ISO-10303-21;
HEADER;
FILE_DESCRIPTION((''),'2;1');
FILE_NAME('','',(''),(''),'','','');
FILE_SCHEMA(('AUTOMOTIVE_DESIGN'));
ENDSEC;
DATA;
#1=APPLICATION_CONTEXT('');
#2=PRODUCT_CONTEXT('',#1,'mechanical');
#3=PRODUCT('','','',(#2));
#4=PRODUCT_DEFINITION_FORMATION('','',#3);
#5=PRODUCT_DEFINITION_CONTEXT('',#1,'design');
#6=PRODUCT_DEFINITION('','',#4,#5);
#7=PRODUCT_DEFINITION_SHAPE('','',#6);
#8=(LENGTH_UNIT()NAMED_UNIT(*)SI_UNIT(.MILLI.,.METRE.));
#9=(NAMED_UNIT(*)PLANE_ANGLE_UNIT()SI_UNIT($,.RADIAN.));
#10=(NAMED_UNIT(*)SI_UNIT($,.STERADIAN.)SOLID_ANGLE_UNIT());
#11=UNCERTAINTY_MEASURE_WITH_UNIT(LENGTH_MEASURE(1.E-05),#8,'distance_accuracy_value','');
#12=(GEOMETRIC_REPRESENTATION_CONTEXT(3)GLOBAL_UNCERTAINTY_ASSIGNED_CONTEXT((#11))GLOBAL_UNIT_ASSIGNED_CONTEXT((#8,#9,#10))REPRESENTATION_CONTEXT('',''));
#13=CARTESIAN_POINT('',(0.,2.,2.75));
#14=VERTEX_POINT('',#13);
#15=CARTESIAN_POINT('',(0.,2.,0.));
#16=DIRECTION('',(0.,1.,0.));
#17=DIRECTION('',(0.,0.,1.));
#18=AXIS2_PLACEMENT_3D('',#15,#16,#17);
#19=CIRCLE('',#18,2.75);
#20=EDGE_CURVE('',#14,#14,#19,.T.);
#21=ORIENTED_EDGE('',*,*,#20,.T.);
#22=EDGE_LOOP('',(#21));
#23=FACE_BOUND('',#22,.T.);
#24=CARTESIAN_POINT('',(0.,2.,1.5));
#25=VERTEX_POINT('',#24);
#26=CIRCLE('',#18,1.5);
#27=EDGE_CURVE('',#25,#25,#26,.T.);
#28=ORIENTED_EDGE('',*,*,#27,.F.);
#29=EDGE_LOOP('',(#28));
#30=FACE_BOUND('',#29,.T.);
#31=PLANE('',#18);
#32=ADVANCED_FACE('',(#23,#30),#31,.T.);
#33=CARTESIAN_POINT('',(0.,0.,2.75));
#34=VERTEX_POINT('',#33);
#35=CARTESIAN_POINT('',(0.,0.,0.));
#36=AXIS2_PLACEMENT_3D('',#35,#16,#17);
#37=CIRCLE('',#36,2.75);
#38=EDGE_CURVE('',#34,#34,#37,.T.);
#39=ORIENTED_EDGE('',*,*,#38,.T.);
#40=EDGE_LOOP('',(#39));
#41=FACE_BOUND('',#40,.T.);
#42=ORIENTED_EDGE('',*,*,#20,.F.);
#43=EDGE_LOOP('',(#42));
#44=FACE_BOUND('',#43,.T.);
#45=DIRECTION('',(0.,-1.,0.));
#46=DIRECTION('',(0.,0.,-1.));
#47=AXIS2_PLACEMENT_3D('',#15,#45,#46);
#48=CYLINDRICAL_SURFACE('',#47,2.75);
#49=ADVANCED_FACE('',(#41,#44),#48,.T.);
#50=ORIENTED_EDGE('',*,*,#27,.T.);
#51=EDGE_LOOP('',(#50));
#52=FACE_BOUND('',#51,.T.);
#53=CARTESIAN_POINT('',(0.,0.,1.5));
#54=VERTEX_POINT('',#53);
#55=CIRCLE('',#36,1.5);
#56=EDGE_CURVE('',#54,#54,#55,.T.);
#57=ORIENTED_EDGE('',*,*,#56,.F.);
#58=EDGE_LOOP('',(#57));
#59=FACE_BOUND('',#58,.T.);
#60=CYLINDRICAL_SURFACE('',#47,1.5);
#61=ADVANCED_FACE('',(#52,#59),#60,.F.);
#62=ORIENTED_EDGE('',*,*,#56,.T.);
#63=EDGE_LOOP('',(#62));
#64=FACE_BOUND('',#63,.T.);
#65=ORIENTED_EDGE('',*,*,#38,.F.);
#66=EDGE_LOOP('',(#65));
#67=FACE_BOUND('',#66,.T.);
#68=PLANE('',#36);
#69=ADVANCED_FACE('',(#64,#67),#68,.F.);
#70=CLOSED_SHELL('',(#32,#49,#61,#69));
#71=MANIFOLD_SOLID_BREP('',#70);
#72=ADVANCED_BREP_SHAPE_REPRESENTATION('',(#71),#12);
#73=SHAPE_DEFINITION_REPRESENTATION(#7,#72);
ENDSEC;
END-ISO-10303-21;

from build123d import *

# Parameters (mm, degrees)
SKETCH1_R           = 2.75
SKETCH1_R_2         = 1.5
BOSS_EXTRUDE1_DEPTH = 2


with BuildPart() as part:
    # Sketch1 → Boss-Extrude1 (new body)
    with BuildSketch(Plane(origin=(0, 0, 0), x_dir=(1, 0, 0), z_dir=(0, 1, 0))):
        with Locations(Location((0, 0, 0), (0, 0, 270))):
            Circle(SKETCH1_R)
        with Locations(Location((0, 0, 0), (0, 0, 270))):
            Circle(SKETCH1_R_2, mode=Mode.SUBTRACT)
    extrude(amount=BOSS_EXTRUDE1_DEPTH)


solid = part.part
